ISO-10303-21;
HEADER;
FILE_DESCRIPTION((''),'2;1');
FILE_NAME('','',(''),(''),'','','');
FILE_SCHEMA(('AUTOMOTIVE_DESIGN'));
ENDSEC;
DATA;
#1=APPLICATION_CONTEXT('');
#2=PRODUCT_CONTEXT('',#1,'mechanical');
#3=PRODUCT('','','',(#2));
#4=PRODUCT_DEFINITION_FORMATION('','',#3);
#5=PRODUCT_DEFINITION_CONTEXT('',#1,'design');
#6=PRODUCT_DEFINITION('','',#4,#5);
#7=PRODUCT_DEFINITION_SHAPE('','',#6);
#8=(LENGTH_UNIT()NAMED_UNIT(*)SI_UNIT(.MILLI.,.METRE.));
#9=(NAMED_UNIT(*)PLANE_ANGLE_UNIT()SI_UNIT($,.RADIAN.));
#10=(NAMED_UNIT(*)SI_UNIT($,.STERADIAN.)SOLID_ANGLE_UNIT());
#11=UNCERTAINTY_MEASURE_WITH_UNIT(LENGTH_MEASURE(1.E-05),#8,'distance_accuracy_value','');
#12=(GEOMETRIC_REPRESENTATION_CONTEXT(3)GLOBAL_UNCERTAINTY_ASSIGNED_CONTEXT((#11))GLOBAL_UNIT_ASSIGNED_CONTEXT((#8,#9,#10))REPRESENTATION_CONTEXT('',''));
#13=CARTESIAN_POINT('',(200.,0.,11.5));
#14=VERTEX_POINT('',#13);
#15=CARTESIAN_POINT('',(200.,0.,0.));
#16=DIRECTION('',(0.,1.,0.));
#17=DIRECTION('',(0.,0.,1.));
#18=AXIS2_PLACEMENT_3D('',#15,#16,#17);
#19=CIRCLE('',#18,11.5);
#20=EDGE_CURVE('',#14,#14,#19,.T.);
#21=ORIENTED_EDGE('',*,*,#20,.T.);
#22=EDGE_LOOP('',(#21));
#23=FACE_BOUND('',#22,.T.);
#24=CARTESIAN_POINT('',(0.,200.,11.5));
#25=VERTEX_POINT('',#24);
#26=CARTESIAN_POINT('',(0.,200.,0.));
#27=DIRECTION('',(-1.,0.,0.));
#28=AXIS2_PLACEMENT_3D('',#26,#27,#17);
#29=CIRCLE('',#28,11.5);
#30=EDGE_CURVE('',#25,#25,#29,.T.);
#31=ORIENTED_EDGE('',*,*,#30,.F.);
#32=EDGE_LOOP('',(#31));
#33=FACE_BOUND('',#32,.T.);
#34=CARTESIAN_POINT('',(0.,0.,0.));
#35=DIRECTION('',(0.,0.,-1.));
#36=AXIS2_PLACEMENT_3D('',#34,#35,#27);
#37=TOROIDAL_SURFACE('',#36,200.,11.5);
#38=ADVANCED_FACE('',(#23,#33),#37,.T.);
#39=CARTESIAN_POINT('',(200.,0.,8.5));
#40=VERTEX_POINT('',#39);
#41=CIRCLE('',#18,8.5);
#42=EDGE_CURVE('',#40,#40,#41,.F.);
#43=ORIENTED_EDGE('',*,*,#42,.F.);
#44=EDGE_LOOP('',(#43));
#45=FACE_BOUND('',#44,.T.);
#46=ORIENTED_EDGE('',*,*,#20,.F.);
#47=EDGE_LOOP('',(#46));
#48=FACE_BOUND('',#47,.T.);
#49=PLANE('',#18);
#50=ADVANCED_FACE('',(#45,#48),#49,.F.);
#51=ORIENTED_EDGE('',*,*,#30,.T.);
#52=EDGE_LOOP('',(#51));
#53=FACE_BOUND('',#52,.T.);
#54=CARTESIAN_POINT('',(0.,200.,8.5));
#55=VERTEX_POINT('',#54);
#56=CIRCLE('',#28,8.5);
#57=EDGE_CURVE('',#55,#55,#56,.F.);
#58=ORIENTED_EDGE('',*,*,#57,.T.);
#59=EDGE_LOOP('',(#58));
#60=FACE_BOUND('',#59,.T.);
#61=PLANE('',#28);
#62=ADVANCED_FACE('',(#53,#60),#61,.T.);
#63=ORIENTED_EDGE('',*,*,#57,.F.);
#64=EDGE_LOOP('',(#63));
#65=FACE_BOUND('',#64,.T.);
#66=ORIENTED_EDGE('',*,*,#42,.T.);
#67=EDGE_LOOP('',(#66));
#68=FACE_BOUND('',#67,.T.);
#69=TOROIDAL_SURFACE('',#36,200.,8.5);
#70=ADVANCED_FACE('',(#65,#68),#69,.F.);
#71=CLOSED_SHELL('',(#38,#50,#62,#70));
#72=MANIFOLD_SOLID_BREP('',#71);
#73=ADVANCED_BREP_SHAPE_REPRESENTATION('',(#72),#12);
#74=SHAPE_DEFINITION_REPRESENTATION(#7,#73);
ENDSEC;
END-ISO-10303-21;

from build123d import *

# Parameters (mm, degrees)
CROQUIS6_R   = 11.5
CROQUIS6_R_2 = 8.5


with BuildPart() as part:
    # Barrer2: sweep along a path in Croquis5
    with BuildLine(Plane.XY) as barrer2_path:
        ThreePointArc((0, 200), (141.421356237, 141.421356237), (200, 0))
    # Croquis6 → Barrer2 (sweep)
    with BuildSketch(Plane(origin=(0, 0, 0), x_dir=(1, 0, 0), z_dir=(0, 1, 0))):
        with Locations((200, 0)):
            Circle(CROQUIS6_R)
        with Locations((200, 0)):
            Circle(CROQUIS6_R_2, mode=Mode.SUBTRACT)
    sweep(path=barrer2_path.line)


solid = part.part
